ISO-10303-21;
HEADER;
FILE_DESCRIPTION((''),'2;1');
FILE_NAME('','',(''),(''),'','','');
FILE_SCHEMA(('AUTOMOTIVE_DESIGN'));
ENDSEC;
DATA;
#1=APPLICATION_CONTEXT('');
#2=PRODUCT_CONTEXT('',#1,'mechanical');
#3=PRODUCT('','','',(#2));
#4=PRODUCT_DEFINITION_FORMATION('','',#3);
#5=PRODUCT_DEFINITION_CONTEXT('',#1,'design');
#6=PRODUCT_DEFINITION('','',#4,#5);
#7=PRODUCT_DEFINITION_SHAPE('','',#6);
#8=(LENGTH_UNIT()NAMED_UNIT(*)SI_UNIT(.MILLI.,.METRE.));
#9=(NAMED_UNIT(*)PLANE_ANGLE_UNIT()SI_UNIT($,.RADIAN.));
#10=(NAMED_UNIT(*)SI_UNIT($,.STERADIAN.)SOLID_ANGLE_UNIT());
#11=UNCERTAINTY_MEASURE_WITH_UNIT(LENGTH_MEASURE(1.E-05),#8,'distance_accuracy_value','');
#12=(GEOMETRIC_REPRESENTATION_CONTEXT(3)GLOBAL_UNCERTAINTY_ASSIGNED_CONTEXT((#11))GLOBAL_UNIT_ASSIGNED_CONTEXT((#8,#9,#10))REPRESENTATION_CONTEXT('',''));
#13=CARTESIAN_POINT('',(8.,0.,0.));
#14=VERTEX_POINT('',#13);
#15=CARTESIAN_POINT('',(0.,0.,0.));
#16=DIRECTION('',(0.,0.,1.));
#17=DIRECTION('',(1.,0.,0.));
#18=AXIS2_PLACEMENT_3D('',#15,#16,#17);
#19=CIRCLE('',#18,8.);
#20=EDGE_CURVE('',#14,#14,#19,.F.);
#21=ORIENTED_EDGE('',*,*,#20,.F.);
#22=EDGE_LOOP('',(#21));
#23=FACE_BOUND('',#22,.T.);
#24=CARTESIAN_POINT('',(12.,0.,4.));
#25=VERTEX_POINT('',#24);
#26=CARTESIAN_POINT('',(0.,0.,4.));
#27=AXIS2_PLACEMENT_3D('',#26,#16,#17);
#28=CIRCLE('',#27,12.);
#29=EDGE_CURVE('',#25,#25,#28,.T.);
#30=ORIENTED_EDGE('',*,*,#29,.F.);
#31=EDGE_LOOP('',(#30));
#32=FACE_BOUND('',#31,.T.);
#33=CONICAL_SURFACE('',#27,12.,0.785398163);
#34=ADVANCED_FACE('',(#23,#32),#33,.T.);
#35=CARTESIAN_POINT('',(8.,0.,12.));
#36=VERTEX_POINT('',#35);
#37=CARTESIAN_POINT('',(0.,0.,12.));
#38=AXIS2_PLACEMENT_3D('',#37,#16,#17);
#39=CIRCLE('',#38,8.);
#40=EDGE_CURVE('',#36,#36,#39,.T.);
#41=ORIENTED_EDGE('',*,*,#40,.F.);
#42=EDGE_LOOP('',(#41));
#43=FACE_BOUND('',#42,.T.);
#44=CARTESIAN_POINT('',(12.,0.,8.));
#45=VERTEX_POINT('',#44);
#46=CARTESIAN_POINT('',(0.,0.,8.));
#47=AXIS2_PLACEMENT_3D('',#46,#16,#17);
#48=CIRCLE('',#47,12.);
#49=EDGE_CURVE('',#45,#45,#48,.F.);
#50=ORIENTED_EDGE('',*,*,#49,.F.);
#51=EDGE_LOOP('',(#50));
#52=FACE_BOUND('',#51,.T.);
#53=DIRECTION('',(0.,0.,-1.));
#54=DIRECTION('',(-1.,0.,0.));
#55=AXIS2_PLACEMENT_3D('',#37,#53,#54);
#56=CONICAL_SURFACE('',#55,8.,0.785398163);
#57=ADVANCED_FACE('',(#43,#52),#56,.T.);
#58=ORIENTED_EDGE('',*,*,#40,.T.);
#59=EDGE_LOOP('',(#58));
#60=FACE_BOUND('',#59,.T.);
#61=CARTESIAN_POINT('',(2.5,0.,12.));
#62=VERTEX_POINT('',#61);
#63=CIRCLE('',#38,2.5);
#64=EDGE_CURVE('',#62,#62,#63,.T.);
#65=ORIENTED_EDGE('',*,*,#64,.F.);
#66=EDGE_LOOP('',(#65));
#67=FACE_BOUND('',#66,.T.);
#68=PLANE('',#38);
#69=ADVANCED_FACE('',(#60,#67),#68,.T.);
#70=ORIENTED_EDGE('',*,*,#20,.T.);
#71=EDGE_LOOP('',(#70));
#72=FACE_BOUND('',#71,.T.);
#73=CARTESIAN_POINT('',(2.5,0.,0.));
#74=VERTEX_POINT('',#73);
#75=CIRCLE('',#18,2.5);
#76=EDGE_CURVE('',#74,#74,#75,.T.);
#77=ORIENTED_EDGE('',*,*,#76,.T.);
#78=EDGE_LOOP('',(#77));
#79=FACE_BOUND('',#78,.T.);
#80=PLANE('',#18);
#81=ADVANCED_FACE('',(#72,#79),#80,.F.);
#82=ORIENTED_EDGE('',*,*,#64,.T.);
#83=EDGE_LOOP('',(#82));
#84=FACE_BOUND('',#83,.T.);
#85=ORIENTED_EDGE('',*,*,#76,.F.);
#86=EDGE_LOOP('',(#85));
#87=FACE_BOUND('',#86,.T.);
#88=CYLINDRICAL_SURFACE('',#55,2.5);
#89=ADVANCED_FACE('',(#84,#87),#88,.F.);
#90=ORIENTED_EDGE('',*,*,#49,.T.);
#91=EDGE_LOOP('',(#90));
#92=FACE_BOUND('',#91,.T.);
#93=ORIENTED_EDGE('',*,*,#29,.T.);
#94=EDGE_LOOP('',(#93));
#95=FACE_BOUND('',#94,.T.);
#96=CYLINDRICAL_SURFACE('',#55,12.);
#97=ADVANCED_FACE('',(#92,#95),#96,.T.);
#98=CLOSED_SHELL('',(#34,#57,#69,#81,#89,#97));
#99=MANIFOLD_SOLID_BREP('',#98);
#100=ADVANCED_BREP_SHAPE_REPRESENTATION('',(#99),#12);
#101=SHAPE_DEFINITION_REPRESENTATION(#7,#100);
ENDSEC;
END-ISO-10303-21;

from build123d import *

# Parameters (mm, degrees)
SKETCH1_R           = 12
SKETCH1_R_2         = 2.5
BOSS_EXTRUDE1_DEPTH = 12
CHAMFER1_SIZE       = 4


with BuildPart() as part:
    # Sketch1 → Boss-Extrude1 (new body)
    with BuildSketch(Plane.XY):
        Circle(SKETCH1_R)
        Circle(SKETCH1_R_2, mode=Mode.SUBTRACT)
    extrude(amount=BOSS_EXTRUDE1_DEPTH)

    # Chamfer1
    chamfer1_edges = [part.edges().sort_by_distance(p)[0] for p in [
        (-12, 0, 0),
        (-12, 0, 12),
    ]]
    chamfer(chamfer1_edges, length=CHAMFER1_SIZE)


solid = part.part
